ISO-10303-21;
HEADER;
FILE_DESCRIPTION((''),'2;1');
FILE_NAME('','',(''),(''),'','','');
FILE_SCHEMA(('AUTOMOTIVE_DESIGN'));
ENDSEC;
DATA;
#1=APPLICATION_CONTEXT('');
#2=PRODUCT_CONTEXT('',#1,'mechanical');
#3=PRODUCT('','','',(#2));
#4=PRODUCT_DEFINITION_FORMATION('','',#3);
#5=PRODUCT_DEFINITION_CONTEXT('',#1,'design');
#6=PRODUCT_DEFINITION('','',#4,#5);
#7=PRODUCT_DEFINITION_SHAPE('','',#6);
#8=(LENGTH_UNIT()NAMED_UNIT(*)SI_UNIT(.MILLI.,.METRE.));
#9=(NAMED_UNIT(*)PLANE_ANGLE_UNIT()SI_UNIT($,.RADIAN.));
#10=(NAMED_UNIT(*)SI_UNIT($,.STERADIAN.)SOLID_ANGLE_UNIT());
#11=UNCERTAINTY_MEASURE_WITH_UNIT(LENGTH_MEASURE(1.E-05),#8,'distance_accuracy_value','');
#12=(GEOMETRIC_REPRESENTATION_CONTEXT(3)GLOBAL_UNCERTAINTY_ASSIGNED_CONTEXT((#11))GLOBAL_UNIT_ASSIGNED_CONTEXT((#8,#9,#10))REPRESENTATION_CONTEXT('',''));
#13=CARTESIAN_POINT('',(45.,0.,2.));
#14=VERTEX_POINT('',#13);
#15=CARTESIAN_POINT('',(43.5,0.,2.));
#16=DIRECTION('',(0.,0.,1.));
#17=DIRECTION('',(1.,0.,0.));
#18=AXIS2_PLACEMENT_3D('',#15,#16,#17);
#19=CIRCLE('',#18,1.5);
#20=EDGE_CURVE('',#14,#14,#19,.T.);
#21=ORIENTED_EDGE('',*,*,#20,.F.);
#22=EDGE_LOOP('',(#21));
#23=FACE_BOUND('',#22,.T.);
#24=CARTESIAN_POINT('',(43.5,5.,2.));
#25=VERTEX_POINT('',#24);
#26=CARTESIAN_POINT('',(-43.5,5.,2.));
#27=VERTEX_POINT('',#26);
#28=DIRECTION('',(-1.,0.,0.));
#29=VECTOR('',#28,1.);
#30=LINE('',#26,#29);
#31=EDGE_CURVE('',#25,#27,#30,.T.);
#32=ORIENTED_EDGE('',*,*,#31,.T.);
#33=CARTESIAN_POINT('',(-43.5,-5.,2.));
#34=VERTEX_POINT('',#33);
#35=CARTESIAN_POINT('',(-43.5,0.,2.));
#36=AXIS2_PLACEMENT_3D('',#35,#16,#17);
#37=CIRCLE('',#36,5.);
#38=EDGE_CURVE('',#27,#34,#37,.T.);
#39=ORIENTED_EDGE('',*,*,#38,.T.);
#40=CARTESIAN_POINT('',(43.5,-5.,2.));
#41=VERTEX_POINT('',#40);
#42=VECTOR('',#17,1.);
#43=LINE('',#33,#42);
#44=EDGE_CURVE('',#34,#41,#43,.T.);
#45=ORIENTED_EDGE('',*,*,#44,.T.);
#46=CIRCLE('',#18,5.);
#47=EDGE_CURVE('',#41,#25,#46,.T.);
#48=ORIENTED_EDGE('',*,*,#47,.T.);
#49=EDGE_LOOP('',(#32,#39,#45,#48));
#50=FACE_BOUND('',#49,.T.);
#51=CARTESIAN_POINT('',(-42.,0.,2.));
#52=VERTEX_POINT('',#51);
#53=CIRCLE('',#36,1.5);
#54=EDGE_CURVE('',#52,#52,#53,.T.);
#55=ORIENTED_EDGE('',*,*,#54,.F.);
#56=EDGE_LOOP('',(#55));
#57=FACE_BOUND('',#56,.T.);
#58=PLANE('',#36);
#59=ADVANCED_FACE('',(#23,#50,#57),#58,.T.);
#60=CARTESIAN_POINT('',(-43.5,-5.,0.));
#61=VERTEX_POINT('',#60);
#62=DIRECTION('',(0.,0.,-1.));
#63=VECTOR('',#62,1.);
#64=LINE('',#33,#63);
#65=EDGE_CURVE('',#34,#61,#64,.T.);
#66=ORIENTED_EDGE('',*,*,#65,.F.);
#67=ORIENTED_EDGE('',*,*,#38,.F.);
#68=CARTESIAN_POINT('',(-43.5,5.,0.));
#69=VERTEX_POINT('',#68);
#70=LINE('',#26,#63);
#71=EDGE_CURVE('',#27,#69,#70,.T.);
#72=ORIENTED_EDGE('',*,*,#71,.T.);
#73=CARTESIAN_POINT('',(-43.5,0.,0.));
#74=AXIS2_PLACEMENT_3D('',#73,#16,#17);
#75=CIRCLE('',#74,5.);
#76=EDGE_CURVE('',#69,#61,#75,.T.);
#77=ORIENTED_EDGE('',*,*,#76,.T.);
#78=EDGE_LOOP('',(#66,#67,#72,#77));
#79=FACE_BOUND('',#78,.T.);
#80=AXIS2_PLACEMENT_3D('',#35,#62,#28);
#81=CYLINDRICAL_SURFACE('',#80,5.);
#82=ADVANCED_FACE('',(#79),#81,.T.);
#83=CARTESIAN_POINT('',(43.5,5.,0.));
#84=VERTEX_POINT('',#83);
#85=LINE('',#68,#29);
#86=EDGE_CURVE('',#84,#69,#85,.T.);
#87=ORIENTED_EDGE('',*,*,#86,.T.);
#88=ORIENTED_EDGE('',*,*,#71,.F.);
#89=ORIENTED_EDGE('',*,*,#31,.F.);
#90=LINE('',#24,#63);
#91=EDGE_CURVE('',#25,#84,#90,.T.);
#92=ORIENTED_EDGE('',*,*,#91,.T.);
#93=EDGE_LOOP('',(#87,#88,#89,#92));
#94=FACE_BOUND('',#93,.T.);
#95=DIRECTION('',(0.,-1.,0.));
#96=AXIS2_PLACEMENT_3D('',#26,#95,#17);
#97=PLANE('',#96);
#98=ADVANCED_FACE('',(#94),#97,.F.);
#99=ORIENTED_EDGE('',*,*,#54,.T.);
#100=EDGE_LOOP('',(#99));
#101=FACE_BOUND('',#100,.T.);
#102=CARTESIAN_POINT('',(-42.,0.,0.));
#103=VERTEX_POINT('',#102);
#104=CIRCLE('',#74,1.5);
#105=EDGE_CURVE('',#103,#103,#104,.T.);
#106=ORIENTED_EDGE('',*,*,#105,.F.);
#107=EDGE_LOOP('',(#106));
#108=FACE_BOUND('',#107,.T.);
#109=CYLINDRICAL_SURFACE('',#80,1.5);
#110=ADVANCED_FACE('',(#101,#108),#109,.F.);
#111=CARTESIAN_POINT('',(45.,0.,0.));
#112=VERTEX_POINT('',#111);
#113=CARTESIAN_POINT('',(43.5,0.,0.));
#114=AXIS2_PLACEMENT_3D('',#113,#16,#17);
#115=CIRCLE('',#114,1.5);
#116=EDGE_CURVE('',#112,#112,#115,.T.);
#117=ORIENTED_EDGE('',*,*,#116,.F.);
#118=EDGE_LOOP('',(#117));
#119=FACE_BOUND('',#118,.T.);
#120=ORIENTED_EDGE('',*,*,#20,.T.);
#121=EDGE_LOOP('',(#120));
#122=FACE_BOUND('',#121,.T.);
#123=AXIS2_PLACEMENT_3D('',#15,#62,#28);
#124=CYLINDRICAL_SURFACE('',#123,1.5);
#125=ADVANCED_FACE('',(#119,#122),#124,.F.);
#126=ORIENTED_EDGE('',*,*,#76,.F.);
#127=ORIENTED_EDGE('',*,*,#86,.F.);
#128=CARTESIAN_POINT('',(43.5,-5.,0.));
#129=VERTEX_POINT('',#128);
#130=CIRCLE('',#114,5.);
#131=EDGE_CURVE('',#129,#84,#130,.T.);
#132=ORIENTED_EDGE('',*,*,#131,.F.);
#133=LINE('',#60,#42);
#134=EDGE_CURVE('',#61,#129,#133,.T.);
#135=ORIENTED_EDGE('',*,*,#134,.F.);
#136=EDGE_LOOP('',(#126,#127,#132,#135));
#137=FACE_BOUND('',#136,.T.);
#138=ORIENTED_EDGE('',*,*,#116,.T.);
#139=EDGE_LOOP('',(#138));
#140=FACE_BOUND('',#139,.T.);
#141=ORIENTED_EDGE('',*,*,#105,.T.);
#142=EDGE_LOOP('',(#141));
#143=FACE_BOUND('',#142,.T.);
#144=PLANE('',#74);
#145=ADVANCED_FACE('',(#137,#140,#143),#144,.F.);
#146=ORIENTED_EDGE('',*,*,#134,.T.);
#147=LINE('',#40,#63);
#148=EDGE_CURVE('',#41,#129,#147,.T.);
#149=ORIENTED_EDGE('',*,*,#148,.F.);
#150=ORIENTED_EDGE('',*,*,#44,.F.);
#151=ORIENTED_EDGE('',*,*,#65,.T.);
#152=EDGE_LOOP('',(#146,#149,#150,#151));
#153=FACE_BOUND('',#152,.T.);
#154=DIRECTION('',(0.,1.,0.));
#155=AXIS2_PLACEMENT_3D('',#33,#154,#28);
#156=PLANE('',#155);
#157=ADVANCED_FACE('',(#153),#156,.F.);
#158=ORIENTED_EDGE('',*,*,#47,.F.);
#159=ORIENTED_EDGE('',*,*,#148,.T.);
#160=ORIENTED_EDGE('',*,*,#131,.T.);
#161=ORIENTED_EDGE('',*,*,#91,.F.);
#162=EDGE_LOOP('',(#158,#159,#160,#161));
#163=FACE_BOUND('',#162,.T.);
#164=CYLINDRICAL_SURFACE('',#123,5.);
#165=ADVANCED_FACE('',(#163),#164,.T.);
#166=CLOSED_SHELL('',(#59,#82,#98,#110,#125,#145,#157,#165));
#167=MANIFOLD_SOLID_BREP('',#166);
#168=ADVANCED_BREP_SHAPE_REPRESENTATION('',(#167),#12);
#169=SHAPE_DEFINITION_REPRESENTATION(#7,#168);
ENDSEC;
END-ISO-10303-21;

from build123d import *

# Parameters (mm, degrees)
ESQUISSE1_R        = 1.5
BOSS_EXTRU_1_DEPTH = 2


with BuildPart() as part:
    # Esquisse1 → Boss.-Extru.1 (new body)
    with BuildSketch(Plane.XY):
        with BuildLine():
            Line((-43.5, 5), (43.5, 5))
            ThreePointArc((43.5, 5), (48.5, 0), (43.5, -5))
            Line((43.5, -5), (-43.5, -5))
            ThreePointArc((-43.5, -5), (-48.5, 0), (-43.5, 5))
        make_face()
        with Locations((-43.5, 0)):
            Circle(ESQUISSE1_R, mode=Mode.SUBTRACT)
        with Locations((43.5, 0)):
            Circle(ESQUISSE1_R, mode=Mode.SUBTRACT)
    extrude(amount=BOSS_EXTRU_1_DEPTH)


solid = part.part
